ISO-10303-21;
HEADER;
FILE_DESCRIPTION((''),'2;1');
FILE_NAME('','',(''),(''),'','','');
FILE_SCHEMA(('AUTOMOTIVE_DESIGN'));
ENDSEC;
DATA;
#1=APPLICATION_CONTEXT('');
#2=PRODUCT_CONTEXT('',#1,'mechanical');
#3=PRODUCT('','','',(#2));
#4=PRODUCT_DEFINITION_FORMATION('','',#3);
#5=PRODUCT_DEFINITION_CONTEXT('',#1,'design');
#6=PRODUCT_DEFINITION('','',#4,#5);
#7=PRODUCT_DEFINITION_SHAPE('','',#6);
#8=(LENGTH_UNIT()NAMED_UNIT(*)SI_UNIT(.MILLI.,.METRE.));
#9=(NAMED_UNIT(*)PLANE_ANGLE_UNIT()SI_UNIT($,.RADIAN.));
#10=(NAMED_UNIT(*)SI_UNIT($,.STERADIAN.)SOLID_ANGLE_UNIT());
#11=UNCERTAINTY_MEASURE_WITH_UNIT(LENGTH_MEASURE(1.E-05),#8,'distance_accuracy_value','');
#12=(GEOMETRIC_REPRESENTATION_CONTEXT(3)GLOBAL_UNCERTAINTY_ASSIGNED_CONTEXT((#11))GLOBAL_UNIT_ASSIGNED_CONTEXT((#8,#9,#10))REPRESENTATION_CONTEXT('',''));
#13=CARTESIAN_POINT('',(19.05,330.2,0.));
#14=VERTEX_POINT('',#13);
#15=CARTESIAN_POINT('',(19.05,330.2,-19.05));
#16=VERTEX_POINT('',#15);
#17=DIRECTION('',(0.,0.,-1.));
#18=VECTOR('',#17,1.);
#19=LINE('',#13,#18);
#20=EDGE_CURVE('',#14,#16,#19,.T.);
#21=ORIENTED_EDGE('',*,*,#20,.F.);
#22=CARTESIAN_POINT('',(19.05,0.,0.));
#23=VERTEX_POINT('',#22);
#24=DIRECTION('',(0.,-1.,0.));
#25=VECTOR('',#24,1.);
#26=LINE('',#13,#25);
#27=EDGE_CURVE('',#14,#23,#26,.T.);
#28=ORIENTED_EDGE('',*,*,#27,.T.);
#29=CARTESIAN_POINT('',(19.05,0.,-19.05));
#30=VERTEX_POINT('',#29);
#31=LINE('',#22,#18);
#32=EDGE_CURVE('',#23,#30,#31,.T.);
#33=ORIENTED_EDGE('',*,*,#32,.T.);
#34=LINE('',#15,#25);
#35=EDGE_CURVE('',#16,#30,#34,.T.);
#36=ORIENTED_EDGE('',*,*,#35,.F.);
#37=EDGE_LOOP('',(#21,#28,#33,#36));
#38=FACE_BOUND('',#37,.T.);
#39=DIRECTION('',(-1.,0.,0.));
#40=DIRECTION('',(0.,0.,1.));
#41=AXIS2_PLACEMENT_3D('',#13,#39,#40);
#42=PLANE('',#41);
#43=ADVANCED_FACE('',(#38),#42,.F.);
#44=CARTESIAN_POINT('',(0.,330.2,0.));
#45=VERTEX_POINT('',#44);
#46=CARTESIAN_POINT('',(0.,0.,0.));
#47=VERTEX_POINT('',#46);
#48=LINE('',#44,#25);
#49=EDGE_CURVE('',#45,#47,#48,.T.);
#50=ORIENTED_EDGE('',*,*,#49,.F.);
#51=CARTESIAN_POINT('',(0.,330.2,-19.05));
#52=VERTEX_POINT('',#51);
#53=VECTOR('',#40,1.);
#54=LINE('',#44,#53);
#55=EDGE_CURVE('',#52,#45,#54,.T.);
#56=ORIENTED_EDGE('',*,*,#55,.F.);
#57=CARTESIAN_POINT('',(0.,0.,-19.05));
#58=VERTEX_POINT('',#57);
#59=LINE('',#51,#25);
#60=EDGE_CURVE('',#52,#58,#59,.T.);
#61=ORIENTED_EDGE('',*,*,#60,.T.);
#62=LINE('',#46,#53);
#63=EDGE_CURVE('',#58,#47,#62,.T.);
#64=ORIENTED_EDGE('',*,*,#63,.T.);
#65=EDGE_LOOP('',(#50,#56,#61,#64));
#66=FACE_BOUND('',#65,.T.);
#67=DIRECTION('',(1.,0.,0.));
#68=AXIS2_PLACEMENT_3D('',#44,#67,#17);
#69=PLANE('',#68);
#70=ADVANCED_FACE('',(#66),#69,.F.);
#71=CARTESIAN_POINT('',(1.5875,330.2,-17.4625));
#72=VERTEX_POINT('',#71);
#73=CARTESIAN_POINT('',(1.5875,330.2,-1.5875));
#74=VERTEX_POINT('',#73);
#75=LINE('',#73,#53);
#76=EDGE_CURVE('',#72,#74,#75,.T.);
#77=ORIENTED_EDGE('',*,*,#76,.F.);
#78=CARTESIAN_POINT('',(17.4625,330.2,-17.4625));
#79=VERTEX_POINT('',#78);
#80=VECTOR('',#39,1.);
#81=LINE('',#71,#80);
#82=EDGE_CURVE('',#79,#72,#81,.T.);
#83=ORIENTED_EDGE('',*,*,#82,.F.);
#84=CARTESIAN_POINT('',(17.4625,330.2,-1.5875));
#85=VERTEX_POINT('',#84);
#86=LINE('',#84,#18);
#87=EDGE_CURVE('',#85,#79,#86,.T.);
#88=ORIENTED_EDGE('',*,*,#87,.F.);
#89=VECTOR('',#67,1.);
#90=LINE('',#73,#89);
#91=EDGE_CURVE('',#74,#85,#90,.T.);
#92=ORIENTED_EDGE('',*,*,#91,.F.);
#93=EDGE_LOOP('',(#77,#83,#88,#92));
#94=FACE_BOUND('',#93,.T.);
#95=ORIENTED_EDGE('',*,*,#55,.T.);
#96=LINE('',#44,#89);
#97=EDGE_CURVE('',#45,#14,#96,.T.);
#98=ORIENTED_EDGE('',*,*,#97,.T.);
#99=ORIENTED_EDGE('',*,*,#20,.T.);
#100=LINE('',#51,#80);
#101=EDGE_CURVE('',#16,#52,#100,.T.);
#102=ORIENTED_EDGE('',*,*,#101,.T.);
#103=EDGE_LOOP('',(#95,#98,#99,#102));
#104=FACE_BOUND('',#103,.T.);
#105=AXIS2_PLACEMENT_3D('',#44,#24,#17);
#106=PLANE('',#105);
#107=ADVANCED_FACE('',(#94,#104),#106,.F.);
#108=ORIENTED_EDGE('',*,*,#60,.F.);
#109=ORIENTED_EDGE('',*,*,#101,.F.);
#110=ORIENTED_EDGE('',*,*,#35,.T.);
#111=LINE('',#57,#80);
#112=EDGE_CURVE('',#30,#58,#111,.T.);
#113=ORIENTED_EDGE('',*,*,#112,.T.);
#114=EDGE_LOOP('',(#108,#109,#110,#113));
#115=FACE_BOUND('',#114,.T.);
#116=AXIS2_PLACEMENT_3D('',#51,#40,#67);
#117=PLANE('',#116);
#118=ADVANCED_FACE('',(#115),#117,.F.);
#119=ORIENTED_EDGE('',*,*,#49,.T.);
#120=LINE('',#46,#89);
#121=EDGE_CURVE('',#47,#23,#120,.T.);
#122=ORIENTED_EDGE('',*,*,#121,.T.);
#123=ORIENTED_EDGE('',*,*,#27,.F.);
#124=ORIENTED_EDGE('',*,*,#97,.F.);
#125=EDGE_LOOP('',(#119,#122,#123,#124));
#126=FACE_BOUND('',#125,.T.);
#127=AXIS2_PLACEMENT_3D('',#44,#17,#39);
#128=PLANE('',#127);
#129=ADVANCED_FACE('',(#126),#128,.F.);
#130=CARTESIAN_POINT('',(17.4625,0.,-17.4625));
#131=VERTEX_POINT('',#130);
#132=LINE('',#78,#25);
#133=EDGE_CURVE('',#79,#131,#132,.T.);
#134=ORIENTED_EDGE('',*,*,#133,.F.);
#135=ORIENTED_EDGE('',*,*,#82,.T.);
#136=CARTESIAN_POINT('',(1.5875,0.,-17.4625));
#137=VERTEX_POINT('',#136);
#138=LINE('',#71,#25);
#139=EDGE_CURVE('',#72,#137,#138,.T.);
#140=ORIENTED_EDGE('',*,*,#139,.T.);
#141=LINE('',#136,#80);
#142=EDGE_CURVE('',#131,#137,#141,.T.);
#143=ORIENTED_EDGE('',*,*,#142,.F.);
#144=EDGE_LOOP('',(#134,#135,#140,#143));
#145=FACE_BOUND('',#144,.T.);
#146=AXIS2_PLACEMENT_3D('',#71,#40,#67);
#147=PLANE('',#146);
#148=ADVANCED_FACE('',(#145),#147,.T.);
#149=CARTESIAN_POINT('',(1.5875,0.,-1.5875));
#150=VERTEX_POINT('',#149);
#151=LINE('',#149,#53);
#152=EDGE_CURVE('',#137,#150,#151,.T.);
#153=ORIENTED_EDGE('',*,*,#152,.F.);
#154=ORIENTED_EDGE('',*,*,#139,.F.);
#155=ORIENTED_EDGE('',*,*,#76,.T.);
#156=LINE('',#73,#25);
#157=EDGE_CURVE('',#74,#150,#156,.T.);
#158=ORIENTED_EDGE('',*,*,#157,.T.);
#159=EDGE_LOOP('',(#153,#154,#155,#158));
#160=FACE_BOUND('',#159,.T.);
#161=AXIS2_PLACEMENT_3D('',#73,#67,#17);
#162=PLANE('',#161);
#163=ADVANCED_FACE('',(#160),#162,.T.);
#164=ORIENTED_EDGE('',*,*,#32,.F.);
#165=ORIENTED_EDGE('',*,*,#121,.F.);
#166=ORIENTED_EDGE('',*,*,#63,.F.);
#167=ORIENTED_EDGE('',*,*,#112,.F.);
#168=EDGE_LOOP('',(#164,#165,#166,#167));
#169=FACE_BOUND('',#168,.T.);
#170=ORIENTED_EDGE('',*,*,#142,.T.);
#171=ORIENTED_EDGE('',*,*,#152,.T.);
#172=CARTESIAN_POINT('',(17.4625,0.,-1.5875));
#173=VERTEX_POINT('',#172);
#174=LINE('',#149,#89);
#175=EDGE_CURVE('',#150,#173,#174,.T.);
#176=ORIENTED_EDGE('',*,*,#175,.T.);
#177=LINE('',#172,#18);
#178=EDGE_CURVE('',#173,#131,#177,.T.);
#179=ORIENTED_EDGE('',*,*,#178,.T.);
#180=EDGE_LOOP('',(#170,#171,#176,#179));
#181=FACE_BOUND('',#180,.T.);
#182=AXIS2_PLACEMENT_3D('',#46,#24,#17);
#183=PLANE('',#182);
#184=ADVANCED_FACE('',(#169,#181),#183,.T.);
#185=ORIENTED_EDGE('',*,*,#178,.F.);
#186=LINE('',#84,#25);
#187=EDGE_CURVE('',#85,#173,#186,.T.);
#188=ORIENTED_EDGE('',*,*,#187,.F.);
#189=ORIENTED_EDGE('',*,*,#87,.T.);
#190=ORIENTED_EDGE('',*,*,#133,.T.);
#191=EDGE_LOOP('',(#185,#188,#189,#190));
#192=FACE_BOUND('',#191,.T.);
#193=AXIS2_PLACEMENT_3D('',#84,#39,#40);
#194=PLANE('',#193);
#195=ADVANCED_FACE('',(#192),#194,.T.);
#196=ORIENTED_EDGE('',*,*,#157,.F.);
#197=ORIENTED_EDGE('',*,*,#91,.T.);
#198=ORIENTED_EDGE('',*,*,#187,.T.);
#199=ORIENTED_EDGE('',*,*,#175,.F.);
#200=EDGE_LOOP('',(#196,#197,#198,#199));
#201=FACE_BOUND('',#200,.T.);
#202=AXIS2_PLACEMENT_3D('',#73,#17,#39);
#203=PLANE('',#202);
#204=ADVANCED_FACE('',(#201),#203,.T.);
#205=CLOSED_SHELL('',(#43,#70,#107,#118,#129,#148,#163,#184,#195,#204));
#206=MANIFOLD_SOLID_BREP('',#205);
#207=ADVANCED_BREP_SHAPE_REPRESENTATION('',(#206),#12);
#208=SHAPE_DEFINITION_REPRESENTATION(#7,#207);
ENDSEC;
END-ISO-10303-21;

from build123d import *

# Parameters (mm, degrees)
SKETCH1_W           = 19.05
SKETCH1_H           = 19.05
SKETCH1_W_2         = 15.875
SKETCH1_H_2         = 15.875
BOSS_EXTRUDE1_DEPTH = 330.2


with BuildPart() as part:
    # Sketch1 → Boss-Extrude1 (new body)
    with BuildSketch(Plane(origin=(0, 0, 0), x_dir=(1, 0, 0), z_dir=(0, 1, 0))):
        with Locations((9.525, 9.525)):
            Rectangle(SKETCH1_W, SKETCH1_H)
        with Locations((9.525, 9.525)):
            Rectangle(SKETCH1_W_2, SKETCH1_H_2, mode=Mode.SUBTRACT)
    extrude(amount=BOSS_EXTRUDE1_DEPTH)


solid = part.part
